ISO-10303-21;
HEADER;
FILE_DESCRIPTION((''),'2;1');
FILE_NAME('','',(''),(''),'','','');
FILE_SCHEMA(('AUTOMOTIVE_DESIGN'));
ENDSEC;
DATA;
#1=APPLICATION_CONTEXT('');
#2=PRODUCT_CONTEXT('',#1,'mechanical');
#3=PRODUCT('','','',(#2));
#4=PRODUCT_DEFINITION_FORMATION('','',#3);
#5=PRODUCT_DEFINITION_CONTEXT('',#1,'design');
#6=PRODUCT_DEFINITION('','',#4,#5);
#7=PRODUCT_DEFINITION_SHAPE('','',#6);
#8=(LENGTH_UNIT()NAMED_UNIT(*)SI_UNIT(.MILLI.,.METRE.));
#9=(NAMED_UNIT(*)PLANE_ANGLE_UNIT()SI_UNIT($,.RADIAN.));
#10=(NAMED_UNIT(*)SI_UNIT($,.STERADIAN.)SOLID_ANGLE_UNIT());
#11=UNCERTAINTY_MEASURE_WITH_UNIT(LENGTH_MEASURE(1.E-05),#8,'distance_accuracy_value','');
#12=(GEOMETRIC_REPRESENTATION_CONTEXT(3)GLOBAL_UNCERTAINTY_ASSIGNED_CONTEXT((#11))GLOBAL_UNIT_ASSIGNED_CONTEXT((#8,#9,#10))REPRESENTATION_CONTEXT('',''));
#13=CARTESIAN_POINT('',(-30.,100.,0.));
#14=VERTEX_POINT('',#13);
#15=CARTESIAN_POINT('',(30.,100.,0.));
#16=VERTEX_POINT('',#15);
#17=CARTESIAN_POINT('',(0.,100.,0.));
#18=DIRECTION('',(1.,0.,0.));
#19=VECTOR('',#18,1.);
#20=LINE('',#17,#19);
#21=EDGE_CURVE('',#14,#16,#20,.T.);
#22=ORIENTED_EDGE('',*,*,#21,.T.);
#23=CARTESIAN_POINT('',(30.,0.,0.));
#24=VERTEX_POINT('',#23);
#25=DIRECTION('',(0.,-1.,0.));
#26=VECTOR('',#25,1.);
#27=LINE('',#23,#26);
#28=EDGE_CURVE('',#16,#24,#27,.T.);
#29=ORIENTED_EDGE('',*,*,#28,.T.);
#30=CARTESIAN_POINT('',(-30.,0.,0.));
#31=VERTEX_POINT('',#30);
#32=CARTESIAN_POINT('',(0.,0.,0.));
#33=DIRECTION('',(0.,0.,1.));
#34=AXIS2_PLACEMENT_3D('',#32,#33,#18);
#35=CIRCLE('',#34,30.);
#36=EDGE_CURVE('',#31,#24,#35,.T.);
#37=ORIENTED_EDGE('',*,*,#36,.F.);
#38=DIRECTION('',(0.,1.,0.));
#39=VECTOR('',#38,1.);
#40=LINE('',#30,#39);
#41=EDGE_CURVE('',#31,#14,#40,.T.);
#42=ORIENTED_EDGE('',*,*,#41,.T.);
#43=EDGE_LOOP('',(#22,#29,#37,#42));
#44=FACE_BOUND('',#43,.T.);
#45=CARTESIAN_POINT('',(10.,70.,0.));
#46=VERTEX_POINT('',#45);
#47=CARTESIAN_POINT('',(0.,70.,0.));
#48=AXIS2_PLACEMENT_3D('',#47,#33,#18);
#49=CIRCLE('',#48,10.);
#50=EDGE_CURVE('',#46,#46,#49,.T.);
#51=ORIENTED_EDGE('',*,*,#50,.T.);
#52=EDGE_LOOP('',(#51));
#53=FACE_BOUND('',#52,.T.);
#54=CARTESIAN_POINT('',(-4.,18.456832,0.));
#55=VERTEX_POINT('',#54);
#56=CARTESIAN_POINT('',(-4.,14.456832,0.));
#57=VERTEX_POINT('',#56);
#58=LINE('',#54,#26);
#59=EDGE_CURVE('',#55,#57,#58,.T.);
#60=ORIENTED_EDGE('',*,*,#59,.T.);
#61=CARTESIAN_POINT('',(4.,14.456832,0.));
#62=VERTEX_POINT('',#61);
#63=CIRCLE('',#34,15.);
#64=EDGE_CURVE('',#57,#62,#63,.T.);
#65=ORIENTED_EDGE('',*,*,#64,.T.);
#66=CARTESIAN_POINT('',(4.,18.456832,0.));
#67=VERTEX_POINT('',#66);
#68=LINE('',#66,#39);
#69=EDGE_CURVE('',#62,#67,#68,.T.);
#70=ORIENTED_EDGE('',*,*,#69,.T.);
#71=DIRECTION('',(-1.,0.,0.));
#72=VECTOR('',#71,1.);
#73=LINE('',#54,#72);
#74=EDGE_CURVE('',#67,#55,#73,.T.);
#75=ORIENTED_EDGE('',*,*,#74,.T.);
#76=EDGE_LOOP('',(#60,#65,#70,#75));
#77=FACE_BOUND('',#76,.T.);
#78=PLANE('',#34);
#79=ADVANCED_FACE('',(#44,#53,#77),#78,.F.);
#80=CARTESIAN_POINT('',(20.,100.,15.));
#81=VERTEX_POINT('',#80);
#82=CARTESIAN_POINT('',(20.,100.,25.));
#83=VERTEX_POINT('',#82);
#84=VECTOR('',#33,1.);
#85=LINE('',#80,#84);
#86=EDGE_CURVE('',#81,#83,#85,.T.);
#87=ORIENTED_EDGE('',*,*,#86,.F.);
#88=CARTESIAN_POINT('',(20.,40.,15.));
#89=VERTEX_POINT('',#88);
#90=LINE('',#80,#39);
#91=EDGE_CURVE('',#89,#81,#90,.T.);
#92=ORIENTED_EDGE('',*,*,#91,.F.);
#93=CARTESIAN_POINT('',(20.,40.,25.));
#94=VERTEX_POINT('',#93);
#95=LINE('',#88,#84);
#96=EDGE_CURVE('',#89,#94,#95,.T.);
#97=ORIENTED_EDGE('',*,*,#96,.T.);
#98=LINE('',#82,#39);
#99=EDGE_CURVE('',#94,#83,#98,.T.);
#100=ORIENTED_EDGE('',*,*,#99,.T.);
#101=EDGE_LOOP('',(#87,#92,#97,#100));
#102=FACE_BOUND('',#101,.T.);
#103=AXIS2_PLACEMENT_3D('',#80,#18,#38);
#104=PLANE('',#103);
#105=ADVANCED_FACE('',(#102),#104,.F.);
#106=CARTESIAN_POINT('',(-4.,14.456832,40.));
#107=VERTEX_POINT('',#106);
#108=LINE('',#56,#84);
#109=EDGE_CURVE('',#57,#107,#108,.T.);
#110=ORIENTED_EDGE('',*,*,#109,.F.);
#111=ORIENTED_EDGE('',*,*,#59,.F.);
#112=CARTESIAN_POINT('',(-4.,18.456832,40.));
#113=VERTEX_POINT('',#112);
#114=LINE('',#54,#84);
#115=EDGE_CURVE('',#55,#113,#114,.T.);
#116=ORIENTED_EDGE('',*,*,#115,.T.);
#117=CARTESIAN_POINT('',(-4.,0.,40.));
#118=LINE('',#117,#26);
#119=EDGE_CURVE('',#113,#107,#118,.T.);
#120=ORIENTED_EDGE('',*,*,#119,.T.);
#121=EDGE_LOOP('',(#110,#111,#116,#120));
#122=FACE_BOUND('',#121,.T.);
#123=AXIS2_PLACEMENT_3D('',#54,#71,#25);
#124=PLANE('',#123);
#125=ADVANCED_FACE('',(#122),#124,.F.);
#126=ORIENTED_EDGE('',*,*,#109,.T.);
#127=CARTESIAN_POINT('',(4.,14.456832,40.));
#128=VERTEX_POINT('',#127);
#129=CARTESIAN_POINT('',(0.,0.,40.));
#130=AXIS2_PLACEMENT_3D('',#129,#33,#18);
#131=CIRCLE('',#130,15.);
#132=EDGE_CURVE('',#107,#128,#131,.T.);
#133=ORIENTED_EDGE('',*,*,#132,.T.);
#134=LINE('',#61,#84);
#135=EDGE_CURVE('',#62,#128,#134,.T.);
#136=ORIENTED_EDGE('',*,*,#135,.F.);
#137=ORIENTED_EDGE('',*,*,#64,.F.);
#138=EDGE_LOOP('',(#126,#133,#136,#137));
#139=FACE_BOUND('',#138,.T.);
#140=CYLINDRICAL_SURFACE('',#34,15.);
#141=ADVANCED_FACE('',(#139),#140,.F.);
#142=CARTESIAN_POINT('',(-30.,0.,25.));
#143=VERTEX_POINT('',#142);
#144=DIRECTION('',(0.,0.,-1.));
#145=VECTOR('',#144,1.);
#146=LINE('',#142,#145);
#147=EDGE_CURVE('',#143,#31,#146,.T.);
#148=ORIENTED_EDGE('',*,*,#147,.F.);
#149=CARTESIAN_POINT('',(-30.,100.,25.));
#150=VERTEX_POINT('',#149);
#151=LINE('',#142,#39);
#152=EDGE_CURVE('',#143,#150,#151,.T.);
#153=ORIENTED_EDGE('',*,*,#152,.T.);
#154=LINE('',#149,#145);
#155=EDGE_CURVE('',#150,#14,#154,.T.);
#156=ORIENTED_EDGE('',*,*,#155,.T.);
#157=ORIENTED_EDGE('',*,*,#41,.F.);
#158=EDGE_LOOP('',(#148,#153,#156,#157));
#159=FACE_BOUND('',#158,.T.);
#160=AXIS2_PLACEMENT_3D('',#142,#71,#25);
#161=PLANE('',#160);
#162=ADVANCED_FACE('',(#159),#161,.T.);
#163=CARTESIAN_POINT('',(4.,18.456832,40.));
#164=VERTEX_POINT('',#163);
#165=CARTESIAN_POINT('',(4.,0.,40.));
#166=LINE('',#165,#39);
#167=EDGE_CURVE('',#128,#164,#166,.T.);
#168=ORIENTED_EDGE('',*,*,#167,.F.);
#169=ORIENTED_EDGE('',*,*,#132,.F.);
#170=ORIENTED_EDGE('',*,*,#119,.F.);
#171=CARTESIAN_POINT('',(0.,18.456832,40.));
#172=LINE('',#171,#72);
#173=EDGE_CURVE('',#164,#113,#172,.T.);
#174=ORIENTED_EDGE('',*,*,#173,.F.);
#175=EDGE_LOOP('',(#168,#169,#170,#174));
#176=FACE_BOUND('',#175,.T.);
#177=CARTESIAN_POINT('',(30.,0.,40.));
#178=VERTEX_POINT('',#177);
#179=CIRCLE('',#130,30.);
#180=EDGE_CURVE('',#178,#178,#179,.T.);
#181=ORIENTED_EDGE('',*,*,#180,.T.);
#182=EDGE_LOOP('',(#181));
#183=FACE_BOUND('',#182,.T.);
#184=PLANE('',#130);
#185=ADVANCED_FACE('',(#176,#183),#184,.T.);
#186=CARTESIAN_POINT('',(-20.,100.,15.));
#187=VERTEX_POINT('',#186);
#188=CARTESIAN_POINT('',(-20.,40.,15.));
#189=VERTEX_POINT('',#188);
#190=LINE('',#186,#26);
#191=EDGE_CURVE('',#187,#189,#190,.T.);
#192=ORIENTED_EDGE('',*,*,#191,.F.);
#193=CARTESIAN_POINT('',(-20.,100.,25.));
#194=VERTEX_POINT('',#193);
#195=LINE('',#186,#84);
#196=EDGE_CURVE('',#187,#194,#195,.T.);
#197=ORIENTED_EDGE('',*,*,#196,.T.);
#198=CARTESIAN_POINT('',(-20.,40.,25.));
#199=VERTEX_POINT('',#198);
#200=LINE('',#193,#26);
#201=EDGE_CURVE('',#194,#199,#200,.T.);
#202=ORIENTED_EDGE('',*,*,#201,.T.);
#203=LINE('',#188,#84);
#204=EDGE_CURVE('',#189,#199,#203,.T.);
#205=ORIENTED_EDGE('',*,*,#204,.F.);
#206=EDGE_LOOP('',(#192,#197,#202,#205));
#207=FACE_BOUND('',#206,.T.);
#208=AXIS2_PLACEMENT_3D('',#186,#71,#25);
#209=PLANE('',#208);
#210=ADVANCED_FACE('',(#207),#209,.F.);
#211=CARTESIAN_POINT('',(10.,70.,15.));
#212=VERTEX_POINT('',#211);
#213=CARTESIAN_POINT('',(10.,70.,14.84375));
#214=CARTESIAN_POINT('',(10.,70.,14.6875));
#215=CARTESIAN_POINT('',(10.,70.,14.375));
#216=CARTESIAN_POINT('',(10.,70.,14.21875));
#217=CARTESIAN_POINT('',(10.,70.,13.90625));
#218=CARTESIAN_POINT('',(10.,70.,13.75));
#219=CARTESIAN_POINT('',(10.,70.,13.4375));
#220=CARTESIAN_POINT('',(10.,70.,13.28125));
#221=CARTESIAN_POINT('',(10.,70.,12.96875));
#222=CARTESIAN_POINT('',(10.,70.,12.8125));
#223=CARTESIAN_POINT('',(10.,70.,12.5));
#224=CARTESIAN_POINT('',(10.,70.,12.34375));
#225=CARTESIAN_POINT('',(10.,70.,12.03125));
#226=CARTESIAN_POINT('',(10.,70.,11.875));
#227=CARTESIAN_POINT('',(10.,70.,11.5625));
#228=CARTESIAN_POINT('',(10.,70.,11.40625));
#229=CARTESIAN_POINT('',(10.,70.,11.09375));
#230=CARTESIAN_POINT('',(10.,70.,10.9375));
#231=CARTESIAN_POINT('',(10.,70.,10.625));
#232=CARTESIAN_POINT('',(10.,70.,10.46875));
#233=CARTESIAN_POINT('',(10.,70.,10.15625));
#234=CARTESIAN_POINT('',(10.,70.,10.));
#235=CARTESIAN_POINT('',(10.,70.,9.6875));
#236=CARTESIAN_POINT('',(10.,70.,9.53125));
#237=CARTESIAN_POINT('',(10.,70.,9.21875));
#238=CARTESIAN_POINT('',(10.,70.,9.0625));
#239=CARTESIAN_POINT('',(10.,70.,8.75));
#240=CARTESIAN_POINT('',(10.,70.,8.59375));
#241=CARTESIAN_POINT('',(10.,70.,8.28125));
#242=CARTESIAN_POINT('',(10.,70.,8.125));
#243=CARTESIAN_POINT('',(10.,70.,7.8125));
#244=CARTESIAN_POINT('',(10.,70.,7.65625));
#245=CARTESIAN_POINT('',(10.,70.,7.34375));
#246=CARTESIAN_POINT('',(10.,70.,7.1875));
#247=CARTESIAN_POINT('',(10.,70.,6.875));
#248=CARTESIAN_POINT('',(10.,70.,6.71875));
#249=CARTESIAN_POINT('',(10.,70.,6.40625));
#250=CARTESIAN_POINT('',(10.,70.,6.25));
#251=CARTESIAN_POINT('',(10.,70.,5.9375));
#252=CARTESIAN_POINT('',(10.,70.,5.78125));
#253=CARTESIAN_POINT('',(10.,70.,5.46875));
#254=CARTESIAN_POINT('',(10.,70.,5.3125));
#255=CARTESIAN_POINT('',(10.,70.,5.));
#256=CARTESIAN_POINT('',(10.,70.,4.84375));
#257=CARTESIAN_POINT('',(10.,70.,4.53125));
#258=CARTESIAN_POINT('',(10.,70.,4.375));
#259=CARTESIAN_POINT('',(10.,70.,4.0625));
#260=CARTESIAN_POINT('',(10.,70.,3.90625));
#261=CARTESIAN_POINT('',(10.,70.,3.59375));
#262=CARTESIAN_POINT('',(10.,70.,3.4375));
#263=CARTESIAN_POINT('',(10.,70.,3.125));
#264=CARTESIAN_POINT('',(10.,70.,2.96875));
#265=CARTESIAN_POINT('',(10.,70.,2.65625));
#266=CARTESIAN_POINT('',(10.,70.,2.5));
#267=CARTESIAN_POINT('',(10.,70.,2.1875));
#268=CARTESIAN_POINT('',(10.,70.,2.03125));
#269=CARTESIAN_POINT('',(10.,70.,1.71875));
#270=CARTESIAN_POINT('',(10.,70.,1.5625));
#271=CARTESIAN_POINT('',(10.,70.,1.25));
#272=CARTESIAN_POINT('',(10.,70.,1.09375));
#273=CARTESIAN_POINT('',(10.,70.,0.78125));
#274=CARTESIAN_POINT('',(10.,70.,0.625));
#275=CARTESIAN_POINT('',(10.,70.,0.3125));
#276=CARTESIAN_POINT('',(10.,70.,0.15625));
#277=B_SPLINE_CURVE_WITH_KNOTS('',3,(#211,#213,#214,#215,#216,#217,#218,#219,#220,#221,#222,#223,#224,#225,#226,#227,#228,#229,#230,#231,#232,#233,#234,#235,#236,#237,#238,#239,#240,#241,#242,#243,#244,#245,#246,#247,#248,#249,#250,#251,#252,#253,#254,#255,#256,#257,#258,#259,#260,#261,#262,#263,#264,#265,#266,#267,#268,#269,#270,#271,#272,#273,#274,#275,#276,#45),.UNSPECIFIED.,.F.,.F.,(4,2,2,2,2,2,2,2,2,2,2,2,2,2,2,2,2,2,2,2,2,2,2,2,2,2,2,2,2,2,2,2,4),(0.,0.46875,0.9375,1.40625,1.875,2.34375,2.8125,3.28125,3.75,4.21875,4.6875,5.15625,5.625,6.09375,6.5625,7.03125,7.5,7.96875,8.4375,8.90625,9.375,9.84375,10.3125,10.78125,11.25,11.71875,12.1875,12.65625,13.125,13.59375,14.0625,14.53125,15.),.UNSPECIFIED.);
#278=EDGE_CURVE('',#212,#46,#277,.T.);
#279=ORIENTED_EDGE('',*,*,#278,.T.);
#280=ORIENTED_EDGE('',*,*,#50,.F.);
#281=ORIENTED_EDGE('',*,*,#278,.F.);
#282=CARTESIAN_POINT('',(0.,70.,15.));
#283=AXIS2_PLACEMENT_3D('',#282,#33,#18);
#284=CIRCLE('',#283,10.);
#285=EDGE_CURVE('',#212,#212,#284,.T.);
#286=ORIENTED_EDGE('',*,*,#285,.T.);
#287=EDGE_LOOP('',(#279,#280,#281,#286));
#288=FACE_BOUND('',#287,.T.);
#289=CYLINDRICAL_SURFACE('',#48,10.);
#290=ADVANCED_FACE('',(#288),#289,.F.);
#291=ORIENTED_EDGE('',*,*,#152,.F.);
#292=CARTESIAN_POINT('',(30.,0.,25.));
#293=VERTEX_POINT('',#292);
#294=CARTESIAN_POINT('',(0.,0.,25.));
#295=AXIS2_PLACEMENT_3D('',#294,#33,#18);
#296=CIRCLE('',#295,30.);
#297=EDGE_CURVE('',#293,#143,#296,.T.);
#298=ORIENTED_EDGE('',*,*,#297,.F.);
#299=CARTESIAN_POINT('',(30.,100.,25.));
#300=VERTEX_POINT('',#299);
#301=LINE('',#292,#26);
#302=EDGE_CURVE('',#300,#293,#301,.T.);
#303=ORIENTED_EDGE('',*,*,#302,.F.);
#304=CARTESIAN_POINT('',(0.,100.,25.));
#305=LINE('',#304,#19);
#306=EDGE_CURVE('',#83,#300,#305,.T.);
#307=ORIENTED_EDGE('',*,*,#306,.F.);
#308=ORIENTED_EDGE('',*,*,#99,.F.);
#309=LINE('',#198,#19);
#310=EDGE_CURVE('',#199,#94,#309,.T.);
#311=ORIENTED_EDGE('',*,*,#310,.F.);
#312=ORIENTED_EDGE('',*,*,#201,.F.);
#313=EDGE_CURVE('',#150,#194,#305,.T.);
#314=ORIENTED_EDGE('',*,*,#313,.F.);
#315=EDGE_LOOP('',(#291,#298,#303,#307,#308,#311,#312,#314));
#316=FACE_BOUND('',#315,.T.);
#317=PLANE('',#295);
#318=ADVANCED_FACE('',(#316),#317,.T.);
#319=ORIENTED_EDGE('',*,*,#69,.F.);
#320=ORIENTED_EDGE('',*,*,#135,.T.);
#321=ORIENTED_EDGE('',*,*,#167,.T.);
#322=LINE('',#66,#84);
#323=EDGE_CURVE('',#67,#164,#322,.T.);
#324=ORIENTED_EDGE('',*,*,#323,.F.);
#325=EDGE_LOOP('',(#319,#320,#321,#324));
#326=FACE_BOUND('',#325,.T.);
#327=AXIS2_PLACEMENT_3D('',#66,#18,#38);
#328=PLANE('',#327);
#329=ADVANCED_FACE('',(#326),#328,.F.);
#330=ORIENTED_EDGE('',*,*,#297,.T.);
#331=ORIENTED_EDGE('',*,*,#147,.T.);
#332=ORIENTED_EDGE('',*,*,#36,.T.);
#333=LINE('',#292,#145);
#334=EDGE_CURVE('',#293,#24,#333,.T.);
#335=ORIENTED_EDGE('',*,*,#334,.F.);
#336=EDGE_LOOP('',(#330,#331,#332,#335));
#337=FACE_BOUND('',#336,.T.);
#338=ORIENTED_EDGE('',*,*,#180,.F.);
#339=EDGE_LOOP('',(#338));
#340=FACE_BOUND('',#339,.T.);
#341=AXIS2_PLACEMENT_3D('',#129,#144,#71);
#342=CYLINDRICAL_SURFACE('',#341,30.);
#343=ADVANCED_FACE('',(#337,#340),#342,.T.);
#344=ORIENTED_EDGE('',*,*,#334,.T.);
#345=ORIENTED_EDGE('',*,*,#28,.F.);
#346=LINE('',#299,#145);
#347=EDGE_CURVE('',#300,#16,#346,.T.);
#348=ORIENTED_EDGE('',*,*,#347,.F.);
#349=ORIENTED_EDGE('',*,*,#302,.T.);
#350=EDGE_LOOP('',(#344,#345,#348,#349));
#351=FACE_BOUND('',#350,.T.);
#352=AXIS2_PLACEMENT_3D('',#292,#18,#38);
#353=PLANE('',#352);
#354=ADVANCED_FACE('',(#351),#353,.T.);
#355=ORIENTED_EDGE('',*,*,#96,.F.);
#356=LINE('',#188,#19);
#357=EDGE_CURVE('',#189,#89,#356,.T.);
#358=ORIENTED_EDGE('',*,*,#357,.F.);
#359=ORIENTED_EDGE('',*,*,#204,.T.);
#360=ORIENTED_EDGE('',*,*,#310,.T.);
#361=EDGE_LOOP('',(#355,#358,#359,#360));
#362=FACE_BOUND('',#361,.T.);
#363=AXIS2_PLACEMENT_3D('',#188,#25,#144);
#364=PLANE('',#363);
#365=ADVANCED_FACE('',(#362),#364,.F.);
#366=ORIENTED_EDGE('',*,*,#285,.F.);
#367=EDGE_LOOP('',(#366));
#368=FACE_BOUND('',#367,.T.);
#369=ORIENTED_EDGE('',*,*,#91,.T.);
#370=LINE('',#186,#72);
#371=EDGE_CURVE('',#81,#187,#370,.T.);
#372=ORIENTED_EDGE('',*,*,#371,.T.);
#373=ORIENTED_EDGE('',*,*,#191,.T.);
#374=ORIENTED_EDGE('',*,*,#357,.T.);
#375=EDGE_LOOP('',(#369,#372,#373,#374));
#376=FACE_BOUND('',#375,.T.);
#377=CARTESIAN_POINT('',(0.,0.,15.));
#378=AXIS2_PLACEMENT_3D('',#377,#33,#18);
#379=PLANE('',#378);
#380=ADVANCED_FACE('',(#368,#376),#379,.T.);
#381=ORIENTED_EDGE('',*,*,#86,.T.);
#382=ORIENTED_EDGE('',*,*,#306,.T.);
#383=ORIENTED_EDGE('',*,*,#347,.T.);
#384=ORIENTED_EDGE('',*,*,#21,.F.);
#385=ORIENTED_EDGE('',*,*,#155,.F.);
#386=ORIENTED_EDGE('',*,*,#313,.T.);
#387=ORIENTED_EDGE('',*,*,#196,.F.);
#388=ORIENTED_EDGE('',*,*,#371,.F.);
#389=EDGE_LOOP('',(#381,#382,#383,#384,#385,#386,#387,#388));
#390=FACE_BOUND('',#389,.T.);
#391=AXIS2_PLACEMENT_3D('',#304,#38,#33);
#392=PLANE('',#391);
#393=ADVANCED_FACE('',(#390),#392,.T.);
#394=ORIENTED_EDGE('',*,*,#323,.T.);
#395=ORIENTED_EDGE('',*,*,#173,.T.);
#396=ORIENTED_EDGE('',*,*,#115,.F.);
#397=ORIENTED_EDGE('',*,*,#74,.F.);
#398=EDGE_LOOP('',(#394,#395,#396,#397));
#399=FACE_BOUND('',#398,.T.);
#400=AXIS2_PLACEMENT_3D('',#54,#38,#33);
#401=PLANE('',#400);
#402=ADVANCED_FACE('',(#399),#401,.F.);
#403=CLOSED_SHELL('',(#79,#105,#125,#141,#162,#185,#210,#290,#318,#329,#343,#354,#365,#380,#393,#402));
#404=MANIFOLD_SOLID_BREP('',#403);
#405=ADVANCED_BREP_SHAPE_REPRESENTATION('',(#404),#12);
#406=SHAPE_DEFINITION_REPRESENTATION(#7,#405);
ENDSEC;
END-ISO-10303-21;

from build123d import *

# Parameters (mm, degrees)
BOSS_EXTRUDE1_DEPTH     = 25
BOSS_EXTRUDE2_DEPTH     = 40
SKETCH2_W               = 40
SKETCH2_H               = 60
CUT_EXTRUDE1_DEPTH      = 10
CUT_EXTRUDE2_DEPTH      = 108.354552768
CUT_EXTRUDE2_DEPTH_BACK = 108.354552768
SKETCH3_R               = 10
CUT_EXTRUDE3_DEPTH      = 112.803398875
CUT_EXTRUDE3_DEPTH_BACK = 112.803398875


with BuildPart() as part:
    # Sketch1 → Boss-Extrude1 (new body)
    with BuildSketch(Plane(origin=(0, 0, 0), x_dir=(0, 1, 0), z_dir=(0, 0, 1))):
        with BuildLine():
            Line((100, 30), (0, 30))
            ThreePointArc((0, 30), (21.213203436, 21.213203436), (30, 0))
            ThreePointArc((30, 0), (21.213203436, -21.213203436), (0, -30))
            Line((0, -30), (100, -30))
            Line((100, -30), (100, 30))
        make_face()
    extrude(amount=BOSS_EXTRUDE1_DEPTH)

    # Sketch1<3> → Boss-Extrude2 (add)
    with BuildSketch(Plane(origin=(0, 0, 0), x_dir=(0, 1, 0), z_dir=(0, 0, 1))):
        with BuildLine():
            ThreePointArc((30, 0), (21.213203436, 21.213203436), (0, 30))
            ThreePointArc((0, 30), (-30, 0), (0, -30))
            ThreePointArc((0, -30), (21.213203436, -21.213203436), (30, 0))
        make_face()
    extrude(amount=BOSS_EXTRUDE2_DEPTH)

    # Sketch2 → Cut-Extrude1 (cut)
    with BuildSketch(Plane.XY.offset(25)):
        with Locations((0, 70)):
            Rectangle(SKETCH2_W, SKETCH2_H)
    extrude(amount=-CUT_EXTRUDE1_DEPTH, mode=Mode.SUBTRACT)

    # Sketch3 → Cut-Extrude2 (cut, two sides: drawn at the far end of the back side and taken through both)
    with BuildSketch(Plane.XY.offset(15).offset(-CUT_EXTRUDE2_DEPTH_BACK)):
        with Locations((0, 70)):
            Circle(SKETCH3_R)
    extrude(amount=CUT_EXTRUDE2_DEPTH + CUT_EXTRUDE2_DEPTH_BACK, mode=Mode.SUBTRACT)

    # Sketch4 → Cut-Extrude3 (cut, two sides: drawn at the far end of the back side and taken through both)
    with BuildSketch(Plane.XY.offset(40).offset(-CUT_EXTRUDE3_DEPTH_BACK)):
        with BuildLine():
            Line((-4, 18.456832295), (4, 18.456832295))
            Line((4, 18.456832295), (4, 14.456832295))
            ThreePointArc((4, 14.456832295), (0, -15), (-4, 14.456832295))
            Line((-4, 14.456832295), (-4, 18.456832295))
        make_face()
    extrude(amount=CUT_EXTRUDE3_DEPTH + CUT_EXTRUDE3_DEPTH_BACK, mode=Mode.SUBTRACT)


solid = part.part
